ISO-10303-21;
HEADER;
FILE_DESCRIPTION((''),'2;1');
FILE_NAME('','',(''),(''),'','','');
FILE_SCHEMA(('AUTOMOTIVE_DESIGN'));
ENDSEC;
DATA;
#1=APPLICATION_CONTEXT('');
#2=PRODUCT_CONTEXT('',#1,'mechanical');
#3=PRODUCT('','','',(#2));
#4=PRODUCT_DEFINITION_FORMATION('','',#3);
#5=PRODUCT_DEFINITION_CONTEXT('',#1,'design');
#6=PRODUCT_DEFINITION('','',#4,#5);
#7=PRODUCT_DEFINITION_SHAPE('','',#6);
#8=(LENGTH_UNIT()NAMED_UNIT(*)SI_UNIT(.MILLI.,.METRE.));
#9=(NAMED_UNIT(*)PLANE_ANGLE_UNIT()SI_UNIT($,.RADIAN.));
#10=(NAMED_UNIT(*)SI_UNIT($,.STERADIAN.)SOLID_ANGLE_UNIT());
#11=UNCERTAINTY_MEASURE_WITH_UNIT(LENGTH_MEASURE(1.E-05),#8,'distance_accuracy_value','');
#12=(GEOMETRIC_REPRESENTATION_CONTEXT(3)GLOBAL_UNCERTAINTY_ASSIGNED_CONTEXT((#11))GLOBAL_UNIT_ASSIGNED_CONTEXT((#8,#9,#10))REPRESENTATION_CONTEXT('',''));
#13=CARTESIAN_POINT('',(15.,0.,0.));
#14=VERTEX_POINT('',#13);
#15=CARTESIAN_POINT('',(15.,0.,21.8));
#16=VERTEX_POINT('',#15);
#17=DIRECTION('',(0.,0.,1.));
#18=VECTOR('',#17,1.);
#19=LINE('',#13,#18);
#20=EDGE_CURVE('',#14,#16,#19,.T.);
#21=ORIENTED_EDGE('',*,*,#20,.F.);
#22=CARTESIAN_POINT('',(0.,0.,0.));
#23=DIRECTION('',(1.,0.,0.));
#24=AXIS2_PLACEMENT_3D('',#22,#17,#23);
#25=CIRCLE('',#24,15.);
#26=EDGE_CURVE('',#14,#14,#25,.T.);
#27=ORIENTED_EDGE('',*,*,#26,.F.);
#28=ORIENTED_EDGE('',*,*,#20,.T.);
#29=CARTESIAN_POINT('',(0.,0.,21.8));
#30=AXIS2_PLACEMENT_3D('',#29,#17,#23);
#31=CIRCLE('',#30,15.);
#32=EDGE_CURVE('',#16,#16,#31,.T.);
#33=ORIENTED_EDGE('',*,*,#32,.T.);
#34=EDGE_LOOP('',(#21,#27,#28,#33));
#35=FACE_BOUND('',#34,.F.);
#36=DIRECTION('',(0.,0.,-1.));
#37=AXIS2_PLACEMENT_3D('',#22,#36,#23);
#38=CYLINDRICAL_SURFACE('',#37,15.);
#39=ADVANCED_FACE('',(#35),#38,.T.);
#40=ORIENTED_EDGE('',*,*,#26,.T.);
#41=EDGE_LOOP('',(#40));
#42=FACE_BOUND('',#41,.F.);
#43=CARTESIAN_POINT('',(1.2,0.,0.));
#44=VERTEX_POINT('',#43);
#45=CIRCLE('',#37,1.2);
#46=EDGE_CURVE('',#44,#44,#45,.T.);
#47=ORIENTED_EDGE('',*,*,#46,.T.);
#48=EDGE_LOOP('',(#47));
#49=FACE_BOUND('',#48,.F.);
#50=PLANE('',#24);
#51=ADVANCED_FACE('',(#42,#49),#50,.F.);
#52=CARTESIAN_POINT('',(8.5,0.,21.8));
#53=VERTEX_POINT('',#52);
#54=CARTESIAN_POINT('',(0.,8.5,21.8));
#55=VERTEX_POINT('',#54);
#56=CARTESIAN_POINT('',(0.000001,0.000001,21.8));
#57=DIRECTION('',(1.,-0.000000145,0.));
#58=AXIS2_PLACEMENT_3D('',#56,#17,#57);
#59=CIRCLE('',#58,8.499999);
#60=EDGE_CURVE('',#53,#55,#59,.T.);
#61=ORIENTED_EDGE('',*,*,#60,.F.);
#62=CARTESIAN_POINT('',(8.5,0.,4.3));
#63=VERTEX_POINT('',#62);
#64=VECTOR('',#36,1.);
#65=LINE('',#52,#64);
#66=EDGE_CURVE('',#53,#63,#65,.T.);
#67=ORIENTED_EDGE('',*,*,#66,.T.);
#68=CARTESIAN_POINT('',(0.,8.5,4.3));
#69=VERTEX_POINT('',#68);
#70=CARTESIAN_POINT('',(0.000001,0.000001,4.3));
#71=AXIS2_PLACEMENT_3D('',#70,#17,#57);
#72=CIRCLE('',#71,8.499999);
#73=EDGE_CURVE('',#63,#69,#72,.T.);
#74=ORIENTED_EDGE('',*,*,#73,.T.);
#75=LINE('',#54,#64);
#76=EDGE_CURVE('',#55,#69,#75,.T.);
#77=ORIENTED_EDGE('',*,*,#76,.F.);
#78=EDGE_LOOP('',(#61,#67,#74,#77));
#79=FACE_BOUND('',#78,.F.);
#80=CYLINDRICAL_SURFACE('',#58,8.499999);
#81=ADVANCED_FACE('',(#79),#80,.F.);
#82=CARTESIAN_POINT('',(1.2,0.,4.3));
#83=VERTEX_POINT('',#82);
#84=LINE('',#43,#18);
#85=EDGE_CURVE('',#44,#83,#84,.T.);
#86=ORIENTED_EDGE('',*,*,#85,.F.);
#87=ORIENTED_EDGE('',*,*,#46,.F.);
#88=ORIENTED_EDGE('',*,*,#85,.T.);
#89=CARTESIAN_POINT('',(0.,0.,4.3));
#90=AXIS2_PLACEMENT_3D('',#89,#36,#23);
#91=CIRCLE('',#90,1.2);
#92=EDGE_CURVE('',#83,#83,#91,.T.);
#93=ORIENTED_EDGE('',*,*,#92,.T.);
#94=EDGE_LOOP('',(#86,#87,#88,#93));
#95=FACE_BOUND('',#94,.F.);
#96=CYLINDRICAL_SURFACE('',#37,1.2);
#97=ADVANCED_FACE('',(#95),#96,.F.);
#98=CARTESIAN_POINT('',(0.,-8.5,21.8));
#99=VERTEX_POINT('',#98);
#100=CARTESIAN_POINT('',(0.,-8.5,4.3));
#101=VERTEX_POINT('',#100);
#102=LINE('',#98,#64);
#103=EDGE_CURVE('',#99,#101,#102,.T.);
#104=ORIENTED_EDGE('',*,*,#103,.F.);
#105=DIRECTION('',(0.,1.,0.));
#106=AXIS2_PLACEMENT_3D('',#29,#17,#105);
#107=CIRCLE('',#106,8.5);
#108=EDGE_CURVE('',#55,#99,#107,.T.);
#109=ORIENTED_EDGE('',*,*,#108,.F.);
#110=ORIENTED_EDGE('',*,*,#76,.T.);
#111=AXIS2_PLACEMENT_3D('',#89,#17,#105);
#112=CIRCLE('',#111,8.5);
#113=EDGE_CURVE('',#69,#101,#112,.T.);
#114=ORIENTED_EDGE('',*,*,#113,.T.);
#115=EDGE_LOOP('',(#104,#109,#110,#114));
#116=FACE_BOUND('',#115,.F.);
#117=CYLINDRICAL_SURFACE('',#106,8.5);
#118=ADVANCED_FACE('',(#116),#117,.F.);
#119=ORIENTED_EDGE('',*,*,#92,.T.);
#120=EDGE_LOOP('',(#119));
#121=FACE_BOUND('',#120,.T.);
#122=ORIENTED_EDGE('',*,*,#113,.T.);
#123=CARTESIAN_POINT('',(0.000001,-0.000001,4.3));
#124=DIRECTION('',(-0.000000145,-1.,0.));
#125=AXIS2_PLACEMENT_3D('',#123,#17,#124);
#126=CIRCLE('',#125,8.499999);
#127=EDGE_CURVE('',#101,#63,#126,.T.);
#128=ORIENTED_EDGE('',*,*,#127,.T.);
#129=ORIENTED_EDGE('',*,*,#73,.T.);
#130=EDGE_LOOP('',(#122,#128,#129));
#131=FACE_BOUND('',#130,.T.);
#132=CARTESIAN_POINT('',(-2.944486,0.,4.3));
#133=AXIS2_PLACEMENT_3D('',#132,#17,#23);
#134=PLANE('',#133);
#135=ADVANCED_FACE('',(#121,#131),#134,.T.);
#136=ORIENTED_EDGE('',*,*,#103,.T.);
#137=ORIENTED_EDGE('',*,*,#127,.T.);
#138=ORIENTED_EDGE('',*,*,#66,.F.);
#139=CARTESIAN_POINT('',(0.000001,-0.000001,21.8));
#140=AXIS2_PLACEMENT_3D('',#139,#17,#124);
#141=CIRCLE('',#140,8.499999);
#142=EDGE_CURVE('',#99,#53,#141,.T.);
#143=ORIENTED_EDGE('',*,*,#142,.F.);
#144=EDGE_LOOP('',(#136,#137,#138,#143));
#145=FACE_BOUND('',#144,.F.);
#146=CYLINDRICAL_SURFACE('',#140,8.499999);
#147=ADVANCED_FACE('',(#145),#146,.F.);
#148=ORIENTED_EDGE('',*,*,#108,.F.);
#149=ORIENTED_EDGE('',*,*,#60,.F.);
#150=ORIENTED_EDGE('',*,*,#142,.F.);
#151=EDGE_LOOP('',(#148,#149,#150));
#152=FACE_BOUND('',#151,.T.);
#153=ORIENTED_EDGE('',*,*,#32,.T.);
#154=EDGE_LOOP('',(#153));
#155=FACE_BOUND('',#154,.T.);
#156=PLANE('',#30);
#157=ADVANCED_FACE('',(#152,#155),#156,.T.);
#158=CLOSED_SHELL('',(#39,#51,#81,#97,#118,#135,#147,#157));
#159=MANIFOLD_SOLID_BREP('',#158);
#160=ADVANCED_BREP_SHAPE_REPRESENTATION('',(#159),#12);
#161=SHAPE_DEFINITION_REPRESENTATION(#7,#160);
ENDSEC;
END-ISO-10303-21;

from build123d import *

# Parameters (mm, degrees)
F0_R     = 15
F1_DEPTH = 21.8
F3_DEPTH = 17.5
F4_R     = 1.2
F5_DEPTH = 25.4


with BuildPart() as f1:
    # F0 (on Top) → F1 (new body)
    with BuildSketch(Plane.XY):
        Circle(F0_R)
    extrude(amount=F1_DEPTH)

    # F2 (on face) → F3 (cut)
    with BuildSketch(Plane.XY.offset(21.8)):
        with BuildLine():
            Line((0, -8.5), (0, 8.5))
            ThreePointArc((0, 8.5), (-8.5, 0), (0, -8.5))
        make_face()
        with BuildLine():
            ThreePointArc((8.5, 0), (6.010408, 6.010408), (0, 8.5))
            Line((0, 8.5), (0, -8.5))
            ThreePointArc((0, -8.5), (6.010408, -6.010408), (8.5, 0))
        make_face()
    extrude(amount=-F3_DEPTH, mode=Mode.SUBTRACT)

    # F4 (on face) → F5 (cut)
    with BuildSketch(Plane(origin=(0, 0, 0), x_dir=(1, 0, 0), z_dir=(0, 0, -1))):
        Circle(F4_R)
    extrude(amount=-F5_DEPTH, mode=Mode.SUBTRACT)


solid = f1.part
